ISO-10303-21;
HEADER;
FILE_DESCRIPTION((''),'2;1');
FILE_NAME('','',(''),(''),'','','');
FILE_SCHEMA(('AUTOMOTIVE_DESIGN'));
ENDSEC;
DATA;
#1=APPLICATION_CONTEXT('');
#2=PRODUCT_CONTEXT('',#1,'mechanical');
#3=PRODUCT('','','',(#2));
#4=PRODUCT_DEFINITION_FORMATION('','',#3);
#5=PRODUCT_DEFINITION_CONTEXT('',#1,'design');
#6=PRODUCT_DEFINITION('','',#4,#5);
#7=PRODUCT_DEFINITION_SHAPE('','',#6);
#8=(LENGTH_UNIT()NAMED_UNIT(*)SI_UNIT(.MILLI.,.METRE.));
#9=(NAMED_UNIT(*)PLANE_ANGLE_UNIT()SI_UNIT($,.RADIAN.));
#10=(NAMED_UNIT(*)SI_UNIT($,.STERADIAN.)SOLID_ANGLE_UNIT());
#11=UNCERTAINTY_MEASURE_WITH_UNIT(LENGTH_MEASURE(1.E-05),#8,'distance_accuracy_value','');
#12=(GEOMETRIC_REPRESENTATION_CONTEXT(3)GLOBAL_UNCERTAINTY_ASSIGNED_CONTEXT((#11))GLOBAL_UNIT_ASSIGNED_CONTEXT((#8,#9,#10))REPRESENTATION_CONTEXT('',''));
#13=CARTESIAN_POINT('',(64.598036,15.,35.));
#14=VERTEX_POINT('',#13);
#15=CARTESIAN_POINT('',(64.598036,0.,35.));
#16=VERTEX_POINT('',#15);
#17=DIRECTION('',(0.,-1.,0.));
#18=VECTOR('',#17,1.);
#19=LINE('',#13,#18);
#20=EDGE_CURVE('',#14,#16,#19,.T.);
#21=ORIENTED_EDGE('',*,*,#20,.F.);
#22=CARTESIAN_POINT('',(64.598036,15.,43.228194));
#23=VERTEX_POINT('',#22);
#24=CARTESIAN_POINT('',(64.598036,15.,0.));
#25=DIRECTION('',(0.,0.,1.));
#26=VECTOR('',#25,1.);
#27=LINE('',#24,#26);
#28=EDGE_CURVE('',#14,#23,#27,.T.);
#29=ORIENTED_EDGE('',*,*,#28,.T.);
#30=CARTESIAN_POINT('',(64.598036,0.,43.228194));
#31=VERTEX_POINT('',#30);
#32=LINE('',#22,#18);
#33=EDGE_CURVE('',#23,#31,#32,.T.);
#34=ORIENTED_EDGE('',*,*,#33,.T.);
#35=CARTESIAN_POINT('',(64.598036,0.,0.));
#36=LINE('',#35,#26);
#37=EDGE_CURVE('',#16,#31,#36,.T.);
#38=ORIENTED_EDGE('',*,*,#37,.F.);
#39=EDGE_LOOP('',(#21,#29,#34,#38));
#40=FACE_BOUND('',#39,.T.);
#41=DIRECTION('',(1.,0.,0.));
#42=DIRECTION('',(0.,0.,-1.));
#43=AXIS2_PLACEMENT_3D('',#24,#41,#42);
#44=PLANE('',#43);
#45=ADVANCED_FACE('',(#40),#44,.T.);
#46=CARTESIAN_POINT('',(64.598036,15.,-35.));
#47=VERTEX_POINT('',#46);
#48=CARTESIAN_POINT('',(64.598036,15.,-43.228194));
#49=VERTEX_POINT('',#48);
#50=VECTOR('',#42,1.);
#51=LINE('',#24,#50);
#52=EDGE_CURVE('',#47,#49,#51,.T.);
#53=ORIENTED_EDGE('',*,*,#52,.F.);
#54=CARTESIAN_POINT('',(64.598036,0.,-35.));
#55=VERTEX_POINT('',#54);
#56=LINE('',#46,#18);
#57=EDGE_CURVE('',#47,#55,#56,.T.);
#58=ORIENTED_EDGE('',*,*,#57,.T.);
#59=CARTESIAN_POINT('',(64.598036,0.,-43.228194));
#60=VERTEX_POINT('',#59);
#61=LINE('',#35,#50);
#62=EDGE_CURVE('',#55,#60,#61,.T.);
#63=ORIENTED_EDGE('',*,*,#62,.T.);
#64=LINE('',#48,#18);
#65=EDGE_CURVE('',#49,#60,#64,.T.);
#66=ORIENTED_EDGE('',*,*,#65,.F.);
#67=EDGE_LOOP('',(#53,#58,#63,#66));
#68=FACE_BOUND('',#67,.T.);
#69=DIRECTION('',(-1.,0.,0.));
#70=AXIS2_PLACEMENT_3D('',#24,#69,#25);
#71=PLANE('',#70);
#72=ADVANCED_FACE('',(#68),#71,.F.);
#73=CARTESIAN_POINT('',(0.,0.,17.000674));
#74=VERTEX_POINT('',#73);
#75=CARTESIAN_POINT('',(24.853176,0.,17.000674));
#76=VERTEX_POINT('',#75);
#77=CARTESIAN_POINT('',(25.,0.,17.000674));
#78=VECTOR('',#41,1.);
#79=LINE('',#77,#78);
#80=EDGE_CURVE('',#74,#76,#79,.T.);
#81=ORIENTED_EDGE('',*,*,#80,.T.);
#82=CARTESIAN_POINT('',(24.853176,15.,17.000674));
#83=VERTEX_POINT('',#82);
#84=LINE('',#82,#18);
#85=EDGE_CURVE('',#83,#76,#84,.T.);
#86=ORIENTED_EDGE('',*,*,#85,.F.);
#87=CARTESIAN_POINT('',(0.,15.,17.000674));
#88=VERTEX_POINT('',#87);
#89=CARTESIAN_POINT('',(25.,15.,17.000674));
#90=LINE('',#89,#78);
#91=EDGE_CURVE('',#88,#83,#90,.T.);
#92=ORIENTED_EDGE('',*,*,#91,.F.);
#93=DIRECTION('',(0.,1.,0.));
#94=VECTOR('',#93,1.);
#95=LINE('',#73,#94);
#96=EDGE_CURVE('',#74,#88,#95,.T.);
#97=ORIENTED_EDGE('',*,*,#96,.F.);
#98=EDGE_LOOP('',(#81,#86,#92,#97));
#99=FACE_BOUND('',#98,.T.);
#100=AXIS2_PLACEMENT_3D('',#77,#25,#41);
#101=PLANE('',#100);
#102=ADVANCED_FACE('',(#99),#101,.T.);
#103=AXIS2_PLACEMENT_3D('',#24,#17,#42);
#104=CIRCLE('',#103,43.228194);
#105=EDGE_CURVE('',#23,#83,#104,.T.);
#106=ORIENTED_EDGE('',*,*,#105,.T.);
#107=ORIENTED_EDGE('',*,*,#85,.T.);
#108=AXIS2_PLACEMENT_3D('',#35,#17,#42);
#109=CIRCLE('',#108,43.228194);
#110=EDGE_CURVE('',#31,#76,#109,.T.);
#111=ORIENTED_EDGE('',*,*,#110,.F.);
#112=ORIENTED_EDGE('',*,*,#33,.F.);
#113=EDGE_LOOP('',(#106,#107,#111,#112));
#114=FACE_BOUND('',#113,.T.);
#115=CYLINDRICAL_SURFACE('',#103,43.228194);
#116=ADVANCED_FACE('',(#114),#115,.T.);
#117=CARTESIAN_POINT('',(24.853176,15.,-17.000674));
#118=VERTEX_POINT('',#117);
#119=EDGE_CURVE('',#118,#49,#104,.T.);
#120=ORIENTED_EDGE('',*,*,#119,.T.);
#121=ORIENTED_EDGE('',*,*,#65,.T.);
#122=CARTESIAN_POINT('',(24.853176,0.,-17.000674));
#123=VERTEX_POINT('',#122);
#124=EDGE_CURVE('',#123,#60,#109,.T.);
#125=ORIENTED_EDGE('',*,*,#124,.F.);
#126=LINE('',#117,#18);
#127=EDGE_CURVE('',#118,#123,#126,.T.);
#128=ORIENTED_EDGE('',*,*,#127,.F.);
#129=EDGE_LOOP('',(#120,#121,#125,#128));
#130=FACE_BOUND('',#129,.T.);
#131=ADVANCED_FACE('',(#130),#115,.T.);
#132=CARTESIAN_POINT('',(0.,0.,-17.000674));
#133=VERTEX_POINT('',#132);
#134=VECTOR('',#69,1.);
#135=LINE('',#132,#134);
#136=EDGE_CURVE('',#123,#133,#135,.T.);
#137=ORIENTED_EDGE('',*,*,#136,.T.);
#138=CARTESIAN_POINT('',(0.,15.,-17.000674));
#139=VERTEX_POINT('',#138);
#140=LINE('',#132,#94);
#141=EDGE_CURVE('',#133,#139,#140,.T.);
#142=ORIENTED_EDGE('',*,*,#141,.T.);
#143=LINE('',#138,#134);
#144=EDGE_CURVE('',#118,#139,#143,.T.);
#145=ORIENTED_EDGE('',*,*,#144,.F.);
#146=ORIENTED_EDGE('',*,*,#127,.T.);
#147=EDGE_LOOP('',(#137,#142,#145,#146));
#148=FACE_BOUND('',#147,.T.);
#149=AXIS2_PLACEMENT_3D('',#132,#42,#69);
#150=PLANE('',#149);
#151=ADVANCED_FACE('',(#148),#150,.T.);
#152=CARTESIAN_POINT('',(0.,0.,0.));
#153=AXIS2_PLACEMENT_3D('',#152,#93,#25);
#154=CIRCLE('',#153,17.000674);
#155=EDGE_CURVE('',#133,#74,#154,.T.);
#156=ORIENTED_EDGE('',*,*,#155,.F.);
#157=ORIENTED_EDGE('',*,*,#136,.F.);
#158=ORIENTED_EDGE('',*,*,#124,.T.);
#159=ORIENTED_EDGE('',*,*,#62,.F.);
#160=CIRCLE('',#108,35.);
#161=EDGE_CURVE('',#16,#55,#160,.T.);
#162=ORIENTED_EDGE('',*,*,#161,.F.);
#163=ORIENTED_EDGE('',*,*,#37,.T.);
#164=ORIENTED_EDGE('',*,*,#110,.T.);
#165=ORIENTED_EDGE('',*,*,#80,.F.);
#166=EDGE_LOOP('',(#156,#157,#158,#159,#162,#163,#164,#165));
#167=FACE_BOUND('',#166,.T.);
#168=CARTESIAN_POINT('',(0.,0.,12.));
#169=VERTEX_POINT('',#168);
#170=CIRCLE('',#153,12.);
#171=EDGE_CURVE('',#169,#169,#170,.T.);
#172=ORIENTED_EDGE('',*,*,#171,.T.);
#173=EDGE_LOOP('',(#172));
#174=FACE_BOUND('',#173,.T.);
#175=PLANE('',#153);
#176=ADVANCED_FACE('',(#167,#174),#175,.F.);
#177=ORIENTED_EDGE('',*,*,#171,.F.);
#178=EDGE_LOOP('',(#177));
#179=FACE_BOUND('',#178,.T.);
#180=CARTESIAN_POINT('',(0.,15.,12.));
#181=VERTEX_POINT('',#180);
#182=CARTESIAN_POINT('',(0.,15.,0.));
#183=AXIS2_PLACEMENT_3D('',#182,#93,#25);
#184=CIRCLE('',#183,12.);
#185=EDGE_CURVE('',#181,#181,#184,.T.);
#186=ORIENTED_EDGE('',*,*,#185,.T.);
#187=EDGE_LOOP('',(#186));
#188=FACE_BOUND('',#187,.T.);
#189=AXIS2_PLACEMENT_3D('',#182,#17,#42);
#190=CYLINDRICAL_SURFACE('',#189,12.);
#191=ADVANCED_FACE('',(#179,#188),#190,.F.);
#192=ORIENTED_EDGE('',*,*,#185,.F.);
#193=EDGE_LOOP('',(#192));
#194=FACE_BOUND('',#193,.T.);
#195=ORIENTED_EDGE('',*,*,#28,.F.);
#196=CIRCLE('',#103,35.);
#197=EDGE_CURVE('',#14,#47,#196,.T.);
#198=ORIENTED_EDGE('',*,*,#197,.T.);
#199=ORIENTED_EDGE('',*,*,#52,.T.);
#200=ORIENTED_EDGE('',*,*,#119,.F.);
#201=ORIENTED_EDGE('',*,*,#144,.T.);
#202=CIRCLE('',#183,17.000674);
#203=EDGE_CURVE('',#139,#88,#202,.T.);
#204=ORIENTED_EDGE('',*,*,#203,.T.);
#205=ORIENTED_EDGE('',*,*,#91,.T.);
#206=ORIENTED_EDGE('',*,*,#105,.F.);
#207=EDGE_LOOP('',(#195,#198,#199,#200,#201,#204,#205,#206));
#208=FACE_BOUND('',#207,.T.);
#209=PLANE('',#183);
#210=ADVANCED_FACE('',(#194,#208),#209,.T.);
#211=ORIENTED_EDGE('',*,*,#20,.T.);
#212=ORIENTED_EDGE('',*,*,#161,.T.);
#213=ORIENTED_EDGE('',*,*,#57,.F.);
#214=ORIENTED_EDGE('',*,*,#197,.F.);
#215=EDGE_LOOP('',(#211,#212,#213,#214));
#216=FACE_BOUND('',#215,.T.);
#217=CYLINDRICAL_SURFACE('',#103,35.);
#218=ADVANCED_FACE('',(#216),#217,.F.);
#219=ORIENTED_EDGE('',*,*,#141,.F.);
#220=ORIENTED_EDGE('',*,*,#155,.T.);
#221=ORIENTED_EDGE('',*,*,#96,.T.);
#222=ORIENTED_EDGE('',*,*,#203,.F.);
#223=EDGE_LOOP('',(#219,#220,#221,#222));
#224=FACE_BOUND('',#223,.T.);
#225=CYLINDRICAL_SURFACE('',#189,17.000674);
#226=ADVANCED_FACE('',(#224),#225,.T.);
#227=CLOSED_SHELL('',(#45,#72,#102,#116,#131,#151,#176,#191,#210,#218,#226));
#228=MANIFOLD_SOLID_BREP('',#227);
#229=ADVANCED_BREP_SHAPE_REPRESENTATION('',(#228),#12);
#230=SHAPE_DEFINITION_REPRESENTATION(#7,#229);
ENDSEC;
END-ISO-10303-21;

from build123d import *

# Parameters (mm, degrees)
SKETCH1_R           = 17.000673514
SKETCH1_R_2         = 12
BOSS_EXTRUDE1_DEPTH = 15
BOSS_EXTRUDE2_DEPTH = 15
BOSS_EXTRUDE3_DEPTH = 15


with BuildPart() as part:
    # Sketch1 → Boss-Extrude1 (new body)
    with BuildSketch(Plane(origin=(0, 0, 0), x_dir=(1, 0, 0), z_dir=(0, 1, 0))):
        Circle(SKETCH1_R)
        Circle(SKETCH1_R_2, mode=Mode.SUBTRACT)
    extrude(amount=BOSS_EXTRUDE1_DEPTH)

    # Sketch2 → Boss-Extrude2 (add)
    with BuildSketch(Plane(origin=(0, 15, 0), x_dir=(1, 0, 0), z_dir=(0, 1, 0))):
        with BuildLine():
            Line((0, 17.000673514), (25, 17.000673514))
            Line((25, 17.000673514), (25, -17.000673514))
            Line((25, -17.000673514), (0, -17.000673514))
            ThreePointArc((0, -17.000673514), (17.000673514, 0), (0, 17.000673514))
        make_face()
    extrude(amount=-BOSS_EXTRUDE2_DEPTH)

    # Sketch3 → Boss-Extrude3 (add)
    with BuildSketch(Plane(origin=(0, 0, 0), x_dir=(-1, 0, 0), z_dir=(0, -1, 0))):
        with BuildLine():
            ThreePointArc((-29.598035728, 0), (-39.849298386, -24.748737342), (-64.598035728, -35))
            Line((-64.598035728, -35), (-64.598035728, -43.228194221))
            ThreePointArc((-64.598035728, -43.228194221), (-34.031086456, -30.566949272), (-21.369841507, 0))
            ThreePointArc((-21.369841507, 0), (-34.031086456, 30.566949272), (-64.598035728, 43.228194221))
            Line((-64.598035728, 43.228194221), (-64.598035728, 35))
            ThreePointArc((-64.598035728, 35), (-39.849298386, 24.748737342), (-29.598035728, 0))
        make_face()
    extrude(amount=-BOSS_EXTRUDE3_DEPTH)


solid = part.part
